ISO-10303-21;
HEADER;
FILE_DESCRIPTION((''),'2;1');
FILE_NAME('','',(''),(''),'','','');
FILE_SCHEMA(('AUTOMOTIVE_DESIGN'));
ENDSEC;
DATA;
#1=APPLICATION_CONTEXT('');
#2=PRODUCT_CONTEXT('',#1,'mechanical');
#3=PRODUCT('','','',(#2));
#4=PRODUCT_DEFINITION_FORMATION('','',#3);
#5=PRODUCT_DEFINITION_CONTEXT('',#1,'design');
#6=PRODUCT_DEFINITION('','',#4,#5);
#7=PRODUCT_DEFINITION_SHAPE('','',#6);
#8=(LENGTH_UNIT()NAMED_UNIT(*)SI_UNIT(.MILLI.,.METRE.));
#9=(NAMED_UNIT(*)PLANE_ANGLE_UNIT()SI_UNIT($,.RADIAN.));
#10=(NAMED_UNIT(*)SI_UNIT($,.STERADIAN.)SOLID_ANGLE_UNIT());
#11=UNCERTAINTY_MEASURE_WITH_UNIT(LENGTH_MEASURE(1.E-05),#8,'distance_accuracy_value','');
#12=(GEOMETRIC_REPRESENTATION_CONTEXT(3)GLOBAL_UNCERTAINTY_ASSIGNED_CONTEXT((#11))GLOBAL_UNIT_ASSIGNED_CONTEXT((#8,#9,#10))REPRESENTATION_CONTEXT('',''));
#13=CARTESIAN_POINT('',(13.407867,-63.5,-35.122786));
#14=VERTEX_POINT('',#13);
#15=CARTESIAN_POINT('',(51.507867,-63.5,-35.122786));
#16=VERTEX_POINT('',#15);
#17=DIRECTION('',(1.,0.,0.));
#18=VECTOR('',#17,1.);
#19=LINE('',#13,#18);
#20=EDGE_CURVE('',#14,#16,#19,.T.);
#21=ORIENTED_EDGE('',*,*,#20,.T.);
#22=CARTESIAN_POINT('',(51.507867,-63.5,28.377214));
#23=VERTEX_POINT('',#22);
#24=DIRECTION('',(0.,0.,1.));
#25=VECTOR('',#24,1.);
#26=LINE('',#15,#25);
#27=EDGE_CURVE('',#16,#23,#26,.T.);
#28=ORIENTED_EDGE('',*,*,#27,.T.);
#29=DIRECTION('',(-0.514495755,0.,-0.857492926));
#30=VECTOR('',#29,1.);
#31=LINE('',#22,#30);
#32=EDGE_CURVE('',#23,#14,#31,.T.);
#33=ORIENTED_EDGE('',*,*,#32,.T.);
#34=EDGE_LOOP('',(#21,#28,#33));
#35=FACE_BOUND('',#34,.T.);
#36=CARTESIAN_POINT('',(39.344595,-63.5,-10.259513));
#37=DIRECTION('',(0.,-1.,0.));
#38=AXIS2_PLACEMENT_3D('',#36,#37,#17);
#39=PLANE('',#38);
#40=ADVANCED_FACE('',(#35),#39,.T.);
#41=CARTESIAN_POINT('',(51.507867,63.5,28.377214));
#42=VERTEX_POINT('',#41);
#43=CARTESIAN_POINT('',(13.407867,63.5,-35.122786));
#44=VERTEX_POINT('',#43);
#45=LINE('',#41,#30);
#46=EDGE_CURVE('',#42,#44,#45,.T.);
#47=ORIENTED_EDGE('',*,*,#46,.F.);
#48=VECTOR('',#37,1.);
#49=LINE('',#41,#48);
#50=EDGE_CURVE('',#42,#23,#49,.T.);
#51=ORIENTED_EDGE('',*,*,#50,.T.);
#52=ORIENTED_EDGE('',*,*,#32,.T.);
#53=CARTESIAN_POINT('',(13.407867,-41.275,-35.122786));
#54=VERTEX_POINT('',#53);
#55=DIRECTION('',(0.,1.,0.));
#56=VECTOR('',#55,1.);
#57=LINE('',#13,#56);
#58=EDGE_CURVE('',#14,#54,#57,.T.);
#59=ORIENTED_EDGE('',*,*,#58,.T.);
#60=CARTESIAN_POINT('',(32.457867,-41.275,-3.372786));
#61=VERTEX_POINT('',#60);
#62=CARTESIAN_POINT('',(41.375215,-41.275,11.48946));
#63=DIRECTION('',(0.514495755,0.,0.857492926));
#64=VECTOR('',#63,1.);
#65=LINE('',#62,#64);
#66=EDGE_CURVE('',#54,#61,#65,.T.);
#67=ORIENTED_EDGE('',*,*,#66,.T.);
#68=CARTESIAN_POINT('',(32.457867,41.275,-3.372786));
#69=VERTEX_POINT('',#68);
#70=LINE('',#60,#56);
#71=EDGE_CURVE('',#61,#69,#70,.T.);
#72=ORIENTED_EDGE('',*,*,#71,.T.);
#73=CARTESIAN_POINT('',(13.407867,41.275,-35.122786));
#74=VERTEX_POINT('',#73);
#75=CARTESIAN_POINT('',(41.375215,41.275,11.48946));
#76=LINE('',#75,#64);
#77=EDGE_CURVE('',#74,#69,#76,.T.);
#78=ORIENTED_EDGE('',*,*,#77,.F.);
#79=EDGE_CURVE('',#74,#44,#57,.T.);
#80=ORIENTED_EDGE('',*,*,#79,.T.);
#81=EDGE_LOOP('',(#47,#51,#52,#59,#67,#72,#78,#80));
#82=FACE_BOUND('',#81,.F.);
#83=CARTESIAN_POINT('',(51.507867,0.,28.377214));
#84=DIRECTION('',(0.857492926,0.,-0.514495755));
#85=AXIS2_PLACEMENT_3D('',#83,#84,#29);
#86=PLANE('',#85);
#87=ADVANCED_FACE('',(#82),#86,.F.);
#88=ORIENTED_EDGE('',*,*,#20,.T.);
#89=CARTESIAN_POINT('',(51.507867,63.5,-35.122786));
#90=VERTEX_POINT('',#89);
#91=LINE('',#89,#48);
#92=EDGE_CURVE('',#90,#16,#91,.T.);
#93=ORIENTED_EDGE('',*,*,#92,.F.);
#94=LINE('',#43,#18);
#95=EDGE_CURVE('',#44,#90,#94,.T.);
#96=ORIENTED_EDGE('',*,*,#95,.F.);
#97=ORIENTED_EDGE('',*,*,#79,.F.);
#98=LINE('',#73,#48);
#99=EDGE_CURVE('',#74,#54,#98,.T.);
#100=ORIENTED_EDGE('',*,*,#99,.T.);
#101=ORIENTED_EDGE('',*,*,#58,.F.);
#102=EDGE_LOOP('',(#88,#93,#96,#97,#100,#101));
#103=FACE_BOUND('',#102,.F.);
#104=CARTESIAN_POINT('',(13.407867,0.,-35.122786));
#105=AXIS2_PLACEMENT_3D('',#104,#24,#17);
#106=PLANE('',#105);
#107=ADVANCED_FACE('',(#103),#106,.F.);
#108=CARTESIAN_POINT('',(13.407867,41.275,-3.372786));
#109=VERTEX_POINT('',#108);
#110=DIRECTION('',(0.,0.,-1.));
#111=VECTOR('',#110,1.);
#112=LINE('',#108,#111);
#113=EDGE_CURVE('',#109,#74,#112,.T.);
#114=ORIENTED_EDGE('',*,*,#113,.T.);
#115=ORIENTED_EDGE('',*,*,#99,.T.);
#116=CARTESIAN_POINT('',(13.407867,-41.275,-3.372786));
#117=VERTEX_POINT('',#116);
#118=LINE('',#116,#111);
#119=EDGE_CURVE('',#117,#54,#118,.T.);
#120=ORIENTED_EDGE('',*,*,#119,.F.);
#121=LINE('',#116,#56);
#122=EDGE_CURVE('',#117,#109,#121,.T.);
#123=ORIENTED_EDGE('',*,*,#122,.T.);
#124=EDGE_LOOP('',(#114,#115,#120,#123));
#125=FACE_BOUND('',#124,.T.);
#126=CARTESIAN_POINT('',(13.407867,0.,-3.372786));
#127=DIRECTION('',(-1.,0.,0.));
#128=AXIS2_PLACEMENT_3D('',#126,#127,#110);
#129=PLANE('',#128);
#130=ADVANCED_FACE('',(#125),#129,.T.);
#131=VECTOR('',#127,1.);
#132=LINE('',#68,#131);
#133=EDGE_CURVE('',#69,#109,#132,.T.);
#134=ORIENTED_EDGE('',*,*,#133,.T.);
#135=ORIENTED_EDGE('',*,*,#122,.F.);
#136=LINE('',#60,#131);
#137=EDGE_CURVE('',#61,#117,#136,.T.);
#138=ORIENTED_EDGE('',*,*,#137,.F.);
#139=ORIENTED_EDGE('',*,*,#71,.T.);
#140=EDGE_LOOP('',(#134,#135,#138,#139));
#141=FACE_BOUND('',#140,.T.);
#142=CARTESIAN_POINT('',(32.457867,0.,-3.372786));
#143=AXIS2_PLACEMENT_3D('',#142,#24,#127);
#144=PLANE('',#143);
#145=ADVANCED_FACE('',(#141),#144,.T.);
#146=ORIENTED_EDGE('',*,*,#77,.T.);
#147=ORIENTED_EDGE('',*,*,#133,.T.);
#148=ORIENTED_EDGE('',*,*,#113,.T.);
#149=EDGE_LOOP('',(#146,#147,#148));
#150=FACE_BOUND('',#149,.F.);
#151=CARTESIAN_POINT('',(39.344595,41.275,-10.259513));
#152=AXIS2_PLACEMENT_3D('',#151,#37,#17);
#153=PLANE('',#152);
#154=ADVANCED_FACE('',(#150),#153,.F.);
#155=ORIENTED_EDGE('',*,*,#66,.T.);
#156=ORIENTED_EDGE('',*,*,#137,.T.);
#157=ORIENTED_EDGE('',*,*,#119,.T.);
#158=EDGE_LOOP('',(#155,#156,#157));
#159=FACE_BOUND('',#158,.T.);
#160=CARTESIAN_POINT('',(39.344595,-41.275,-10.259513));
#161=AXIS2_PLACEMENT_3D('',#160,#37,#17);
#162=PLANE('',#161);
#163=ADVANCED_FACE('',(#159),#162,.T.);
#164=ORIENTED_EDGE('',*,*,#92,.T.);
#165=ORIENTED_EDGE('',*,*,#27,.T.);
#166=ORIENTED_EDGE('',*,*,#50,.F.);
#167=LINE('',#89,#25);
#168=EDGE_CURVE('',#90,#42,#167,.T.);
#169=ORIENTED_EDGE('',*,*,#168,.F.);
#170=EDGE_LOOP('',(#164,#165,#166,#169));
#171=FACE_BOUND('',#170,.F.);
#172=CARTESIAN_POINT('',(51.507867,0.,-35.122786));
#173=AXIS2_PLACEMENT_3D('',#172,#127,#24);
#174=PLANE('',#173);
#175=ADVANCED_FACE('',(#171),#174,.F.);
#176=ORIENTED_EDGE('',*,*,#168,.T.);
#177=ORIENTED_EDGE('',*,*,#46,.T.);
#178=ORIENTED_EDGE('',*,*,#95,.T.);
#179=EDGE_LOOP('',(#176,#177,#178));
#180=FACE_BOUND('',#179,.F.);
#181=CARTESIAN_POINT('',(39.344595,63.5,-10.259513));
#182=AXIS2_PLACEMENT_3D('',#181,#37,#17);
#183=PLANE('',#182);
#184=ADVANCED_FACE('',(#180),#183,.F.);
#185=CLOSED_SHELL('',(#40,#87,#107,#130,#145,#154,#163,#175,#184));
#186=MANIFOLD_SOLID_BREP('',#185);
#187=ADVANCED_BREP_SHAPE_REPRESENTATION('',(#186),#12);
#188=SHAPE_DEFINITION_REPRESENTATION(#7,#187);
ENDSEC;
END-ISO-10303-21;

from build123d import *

# Parameters (mm, degrees)
F1_DEPTH = 63.5
F2_DEPTH = 63.5
F3_DEPTH = 41.275
F4_DEPTH = 41.275


with BuildPart() as f1:
    # F0 (on Front) → F1 (new body)
    with BuildSketch(Plane.XZ):
        Polygon((13.4078674018, -35.1227857172), (51.5078674018, -35.1227857172), (51.5078674018, 28.3772142828), (32.4578674018, -3.3727857172), align=None)
    extrude(amount=F1_DEPTH)

    # F2 (add): a face of the model
    f2_faces = [f1.faces().sort_by_distance(p)[0] for p in [
        (38.8078674018, 0, -13.9561190506),
    ]]
    extrude(f2_faces, amount=F2_DEPTH)

    # F0 (on Front) → F3 (join)
    with BuildSketch(Plane.XZ):
        Polygon((13.4078674018, -35.1227857172), (51.5078674018, -35.1227857172), (51.5078674018, 28.3772142828), (32.4578674018, -3.3727857172), align=None)
        Polygon((13.4078674018, -3.3727857172), (13.4078674018, -35.1227857172), (32.4578674018, -3.3727857172), align=None)
    extrude(amount=F3_DEPTH)

    # F4 (add): a face of the model
    f4_faces = [f1.faces().sort_by_distance(p)[0] for p in [
        (19.7578674018, 0, -13.9561190506),
    ]]
    extrude(f4_faces, amount=F4_DEPTH)


solid = f1.part
